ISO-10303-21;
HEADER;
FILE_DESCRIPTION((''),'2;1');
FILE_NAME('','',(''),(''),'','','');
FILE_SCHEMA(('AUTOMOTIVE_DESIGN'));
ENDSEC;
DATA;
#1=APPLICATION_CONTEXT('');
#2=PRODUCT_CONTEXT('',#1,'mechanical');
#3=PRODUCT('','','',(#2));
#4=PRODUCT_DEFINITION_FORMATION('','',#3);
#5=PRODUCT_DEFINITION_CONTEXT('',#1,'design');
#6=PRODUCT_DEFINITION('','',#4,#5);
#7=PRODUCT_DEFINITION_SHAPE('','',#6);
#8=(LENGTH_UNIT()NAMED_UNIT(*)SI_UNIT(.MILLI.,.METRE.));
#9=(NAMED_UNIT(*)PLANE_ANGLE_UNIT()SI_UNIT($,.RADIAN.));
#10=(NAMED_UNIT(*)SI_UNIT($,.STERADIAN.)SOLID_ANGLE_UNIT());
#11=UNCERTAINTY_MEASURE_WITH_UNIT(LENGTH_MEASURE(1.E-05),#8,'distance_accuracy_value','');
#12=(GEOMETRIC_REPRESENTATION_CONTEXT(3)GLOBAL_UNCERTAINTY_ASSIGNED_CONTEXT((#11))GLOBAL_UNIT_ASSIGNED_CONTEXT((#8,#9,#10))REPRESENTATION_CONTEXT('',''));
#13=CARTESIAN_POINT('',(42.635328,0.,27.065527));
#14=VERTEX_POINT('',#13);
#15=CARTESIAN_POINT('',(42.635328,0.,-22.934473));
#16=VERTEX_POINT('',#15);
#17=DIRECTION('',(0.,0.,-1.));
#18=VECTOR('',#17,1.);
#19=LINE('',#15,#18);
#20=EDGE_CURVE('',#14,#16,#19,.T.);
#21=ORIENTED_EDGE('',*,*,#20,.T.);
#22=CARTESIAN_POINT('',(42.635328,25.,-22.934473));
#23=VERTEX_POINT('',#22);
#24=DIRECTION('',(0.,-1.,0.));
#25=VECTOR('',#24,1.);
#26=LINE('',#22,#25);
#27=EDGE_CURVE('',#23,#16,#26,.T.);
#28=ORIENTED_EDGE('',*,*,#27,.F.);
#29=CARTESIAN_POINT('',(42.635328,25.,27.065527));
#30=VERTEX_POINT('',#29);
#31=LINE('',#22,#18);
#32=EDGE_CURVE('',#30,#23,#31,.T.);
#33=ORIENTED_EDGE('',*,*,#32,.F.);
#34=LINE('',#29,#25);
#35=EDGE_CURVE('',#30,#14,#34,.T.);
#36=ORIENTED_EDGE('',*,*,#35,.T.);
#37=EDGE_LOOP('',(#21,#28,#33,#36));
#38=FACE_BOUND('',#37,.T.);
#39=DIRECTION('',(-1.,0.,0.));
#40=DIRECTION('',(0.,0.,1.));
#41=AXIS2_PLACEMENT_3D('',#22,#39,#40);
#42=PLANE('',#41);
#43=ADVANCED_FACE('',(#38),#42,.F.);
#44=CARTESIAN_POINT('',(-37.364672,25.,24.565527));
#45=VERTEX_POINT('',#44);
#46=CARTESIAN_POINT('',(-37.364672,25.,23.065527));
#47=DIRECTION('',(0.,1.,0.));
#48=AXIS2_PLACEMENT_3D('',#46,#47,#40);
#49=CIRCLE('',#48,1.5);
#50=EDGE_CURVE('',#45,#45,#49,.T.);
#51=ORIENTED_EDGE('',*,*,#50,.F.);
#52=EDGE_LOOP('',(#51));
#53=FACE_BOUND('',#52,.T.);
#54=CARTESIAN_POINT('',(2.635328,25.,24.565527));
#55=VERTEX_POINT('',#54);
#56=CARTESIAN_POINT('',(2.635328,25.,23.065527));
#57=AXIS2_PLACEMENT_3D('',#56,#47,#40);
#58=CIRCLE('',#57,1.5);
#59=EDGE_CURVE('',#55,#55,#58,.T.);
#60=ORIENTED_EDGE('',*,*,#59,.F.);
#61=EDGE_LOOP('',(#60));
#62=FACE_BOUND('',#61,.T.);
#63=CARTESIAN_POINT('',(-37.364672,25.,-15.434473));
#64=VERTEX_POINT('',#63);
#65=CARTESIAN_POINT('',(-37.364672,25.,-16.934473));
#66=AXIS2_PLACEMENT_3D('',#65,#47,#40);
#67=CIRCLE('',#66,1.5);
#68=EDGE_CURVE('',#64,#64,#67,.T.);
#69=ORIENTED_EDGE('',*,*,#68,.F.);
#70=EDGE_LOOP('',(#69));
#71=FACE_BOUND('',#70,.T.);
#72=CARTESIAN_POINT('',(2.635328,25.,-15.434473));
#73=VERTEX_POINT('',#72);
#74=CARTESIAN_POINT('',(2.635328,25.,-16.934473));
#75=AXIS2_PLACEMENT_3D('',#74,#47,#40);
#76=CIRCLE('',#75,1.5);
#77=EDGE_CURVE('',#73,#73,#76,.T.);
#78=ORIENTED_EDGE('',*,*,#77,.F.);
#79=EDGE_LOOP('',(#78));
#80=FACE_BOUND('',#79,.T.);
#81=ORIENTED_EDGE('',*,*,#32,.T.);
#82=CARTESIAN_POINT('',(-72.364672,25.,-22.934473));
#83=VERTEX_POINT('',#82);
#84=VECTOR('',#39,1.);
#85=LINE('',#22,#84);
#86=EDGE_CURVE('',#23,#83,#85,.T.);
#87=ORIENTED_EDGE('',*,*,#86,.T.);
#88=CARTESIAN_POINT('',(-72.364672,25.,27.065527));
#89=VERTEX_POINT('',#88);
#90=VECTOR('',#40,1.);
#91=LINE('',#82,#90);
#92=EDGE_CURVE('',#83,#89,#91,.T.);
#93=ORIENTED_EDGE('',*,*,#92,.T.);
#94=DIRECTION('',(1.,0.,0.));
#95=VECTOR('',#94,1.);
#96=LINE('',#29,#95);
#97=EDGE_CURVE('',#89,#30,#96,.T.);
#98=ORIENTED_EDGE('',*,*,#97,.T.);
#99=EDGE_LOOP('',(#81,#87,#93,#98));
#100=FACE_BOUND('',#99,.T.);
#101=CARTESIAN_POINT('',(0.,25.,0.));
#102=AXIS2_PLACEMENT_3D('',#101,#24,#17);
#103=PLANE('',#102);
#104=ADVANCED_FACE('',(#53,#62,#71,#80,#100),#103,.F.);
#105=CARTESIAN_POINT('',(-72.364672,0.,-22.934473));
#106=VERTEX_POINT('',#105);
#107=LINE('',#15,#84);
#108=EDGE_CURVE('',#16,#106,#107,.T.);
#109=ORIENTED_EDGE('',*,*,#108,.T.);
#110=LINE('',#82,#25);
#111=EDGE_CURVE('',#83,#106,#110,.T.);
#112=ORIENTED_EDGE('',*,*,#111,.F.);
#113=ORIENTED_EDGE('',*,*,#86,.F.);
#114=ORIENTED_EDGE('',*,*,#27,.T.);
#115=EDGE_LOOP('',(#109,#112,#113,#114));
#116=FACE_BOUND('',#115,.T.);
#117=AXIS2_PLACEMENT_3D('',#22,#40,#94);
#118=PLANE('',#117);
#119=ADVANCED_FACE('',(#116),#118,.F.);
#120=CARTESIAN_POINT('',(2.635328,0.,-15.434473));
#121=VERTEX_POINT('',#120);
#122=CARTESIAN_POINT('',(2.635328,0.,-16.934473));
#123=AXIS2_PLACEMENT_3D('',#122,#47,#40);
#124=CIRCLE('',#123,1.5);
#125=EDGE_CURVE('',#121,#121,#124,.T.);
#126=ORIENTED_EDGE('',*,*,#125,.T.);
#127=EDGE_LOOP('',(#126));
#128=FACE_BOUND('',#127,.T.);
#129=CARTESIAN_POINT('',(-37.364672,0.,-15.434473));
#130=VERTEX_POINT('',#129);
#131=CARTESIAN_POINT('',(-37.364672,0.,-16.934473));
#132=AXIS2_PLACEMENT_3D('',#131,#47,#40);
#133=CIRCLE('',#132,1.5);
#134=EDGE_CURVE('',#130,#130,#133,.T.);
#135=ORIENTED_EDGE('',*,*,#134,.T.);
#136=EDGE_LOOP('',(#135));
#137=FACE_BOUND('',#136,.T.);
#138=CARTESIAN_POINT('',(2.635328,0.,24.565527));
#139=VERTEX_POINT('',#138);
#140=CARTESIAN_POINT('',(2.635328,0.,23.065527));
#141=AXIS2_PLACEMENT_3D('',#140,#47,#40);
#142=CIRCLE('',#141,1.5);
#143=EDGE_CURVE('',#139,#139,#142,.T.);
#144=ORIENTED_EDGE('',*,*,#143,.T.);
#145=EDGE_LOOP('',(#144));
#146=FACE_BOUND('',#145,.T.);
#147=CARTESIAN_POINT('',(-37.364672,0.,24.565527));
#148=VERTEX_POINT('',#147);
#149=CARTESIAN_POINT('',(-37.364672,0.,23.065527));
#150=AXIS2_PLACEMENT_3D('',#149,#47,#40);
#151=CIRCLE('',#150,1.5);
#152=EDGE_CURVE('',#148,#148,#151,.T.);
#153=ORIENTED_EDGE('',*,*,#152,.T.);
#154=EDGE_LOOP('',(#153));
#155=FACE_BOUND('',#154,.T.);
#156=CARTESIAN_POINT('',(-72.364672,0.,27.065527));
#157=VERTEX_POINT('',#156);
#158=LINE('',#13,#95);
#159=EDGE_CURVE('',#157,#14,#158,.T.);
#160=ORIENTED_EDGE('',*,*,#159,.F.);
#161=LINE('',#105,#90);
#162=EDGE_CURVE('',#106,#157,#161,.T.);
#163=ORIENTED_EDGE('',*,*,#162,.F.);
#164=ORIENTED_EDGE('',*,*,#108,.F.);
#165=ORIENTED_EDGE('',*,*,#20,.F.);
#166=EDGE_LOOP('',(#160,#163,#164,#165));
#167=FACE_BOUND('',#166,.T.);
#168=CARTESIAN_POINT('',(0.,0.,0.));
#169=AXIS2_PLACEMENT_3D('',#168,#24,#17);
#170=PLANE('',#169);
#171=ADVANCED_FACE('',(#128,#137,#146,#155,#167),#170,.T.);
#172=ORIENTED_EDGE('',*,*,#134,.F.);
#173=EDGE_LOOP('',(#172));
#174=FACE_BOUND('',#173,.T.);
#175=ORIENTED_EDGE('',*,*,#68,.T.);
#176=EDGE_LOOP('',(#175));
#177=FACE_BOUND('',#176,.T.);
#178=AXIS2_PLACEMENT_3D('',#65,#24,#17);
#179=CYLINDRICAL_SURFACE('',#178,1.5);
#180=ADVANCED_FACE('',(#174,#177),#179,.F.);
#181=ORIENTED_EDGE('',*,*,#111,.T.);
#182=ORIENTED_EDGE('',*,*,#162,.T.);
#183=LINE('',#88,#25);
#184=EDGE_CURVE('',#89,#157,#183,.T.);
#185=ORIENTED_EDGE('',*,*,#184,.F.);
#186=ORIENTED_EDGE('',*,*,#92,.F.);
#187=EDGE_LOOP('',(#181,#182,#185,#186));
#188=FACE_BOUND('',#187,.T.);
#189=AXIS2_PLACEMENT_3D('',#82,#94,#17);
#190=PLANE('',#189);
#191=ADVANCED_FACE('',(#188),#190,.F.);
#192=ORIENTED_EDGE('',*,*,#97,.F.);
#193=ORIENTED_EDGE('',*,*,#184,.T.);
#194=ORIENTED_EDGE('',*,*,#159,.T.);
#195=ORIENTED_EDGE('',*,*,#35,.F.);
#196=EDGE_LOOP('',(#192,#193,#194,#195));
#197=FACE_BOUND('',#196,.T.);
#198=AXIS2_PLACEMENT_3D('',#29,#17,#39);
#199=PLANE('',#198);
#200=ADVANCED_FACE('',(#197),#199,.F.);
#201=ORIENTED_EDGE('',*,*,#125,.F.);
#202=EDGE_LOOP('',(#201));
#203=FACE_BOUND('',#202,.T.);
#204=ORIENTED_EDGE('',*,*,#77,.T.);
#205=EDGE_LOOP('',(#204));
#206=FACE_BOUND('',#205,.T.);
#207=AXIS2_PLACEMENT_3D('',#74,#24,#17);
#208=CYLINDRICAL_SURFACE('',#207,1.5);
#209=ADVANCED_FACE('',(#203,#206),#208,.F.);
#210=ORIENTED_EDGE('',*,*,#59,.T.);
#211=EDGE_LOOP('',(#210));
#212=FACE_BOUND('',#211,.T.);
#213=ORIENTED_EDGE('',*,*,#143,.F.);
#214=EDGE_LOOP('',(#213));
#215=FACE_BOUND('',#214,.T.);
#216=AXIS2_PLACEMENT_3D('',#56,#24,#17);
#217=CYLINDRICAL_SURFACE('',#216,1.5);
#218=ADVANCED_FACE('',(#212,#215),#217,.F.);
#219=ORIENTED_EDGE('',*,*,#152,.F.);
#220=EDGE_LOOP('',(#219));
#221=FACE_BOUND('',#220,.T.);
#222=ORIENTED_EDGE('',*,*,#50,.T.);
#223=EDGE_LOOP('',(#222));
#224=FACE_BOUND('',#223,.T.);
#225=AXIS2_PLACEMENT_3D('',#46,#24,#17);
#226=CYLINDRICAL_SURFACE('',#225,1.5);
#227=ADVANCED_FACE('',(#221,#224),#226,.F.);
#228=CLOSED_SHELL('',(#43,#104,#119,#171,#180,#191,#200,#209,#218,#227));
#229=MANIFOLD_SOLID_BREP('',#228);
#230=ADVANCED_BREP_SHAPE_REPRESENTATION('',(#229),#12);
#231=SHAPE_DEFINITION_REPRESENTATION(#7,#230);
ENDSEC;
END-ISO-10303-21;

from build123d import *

# Parameters (mm, degrees)
SKETCH1_W           = 115
SKETCH1_H           = 50
SKETCH1_R           = 1.5
BOSS_EXTRUDE1_DEPTH = 25


with BuildPart() as part:
    # Sketch1 → Boss-Extrude1 (new body)
    with BuildSketch(Plane(origin=(0, 0, 0), x_dir=(1, 0, 0), z_dir=(0, 1, 0))):
        with Locations((-14.864672365, -2.065527066)):
            Rectangle(SKETCH1_W, SKETCH1_H)
        with Locations(Location((-37.364672365, 16.934472934, 0), (0, 0, 270))):
            Circle(SKETCH1_R, mode=Mode.SUBTRACT)
        with Locations(Location((2.635327635, 16.934472934, 0), (0, 0, 270))):
            Circle(SKETCH1_R, mode=Mode.SUBTRACT)
        with Locations(Location((2.635327635, -23.065527066, 0), (0, 0, 270))):
            Circle(SKETCH1_R, mode=Mode.SUBTRACT)
        with Locations(Location((-37.364672365, -23.065527066, 0), (0, 0, 270))):
            Circle(SKETCH1_R, mode=Mode.SUBTRACT)
    extrude(amount=BOSS_EXTRUDE1_DEPTH)


solid = part.part
